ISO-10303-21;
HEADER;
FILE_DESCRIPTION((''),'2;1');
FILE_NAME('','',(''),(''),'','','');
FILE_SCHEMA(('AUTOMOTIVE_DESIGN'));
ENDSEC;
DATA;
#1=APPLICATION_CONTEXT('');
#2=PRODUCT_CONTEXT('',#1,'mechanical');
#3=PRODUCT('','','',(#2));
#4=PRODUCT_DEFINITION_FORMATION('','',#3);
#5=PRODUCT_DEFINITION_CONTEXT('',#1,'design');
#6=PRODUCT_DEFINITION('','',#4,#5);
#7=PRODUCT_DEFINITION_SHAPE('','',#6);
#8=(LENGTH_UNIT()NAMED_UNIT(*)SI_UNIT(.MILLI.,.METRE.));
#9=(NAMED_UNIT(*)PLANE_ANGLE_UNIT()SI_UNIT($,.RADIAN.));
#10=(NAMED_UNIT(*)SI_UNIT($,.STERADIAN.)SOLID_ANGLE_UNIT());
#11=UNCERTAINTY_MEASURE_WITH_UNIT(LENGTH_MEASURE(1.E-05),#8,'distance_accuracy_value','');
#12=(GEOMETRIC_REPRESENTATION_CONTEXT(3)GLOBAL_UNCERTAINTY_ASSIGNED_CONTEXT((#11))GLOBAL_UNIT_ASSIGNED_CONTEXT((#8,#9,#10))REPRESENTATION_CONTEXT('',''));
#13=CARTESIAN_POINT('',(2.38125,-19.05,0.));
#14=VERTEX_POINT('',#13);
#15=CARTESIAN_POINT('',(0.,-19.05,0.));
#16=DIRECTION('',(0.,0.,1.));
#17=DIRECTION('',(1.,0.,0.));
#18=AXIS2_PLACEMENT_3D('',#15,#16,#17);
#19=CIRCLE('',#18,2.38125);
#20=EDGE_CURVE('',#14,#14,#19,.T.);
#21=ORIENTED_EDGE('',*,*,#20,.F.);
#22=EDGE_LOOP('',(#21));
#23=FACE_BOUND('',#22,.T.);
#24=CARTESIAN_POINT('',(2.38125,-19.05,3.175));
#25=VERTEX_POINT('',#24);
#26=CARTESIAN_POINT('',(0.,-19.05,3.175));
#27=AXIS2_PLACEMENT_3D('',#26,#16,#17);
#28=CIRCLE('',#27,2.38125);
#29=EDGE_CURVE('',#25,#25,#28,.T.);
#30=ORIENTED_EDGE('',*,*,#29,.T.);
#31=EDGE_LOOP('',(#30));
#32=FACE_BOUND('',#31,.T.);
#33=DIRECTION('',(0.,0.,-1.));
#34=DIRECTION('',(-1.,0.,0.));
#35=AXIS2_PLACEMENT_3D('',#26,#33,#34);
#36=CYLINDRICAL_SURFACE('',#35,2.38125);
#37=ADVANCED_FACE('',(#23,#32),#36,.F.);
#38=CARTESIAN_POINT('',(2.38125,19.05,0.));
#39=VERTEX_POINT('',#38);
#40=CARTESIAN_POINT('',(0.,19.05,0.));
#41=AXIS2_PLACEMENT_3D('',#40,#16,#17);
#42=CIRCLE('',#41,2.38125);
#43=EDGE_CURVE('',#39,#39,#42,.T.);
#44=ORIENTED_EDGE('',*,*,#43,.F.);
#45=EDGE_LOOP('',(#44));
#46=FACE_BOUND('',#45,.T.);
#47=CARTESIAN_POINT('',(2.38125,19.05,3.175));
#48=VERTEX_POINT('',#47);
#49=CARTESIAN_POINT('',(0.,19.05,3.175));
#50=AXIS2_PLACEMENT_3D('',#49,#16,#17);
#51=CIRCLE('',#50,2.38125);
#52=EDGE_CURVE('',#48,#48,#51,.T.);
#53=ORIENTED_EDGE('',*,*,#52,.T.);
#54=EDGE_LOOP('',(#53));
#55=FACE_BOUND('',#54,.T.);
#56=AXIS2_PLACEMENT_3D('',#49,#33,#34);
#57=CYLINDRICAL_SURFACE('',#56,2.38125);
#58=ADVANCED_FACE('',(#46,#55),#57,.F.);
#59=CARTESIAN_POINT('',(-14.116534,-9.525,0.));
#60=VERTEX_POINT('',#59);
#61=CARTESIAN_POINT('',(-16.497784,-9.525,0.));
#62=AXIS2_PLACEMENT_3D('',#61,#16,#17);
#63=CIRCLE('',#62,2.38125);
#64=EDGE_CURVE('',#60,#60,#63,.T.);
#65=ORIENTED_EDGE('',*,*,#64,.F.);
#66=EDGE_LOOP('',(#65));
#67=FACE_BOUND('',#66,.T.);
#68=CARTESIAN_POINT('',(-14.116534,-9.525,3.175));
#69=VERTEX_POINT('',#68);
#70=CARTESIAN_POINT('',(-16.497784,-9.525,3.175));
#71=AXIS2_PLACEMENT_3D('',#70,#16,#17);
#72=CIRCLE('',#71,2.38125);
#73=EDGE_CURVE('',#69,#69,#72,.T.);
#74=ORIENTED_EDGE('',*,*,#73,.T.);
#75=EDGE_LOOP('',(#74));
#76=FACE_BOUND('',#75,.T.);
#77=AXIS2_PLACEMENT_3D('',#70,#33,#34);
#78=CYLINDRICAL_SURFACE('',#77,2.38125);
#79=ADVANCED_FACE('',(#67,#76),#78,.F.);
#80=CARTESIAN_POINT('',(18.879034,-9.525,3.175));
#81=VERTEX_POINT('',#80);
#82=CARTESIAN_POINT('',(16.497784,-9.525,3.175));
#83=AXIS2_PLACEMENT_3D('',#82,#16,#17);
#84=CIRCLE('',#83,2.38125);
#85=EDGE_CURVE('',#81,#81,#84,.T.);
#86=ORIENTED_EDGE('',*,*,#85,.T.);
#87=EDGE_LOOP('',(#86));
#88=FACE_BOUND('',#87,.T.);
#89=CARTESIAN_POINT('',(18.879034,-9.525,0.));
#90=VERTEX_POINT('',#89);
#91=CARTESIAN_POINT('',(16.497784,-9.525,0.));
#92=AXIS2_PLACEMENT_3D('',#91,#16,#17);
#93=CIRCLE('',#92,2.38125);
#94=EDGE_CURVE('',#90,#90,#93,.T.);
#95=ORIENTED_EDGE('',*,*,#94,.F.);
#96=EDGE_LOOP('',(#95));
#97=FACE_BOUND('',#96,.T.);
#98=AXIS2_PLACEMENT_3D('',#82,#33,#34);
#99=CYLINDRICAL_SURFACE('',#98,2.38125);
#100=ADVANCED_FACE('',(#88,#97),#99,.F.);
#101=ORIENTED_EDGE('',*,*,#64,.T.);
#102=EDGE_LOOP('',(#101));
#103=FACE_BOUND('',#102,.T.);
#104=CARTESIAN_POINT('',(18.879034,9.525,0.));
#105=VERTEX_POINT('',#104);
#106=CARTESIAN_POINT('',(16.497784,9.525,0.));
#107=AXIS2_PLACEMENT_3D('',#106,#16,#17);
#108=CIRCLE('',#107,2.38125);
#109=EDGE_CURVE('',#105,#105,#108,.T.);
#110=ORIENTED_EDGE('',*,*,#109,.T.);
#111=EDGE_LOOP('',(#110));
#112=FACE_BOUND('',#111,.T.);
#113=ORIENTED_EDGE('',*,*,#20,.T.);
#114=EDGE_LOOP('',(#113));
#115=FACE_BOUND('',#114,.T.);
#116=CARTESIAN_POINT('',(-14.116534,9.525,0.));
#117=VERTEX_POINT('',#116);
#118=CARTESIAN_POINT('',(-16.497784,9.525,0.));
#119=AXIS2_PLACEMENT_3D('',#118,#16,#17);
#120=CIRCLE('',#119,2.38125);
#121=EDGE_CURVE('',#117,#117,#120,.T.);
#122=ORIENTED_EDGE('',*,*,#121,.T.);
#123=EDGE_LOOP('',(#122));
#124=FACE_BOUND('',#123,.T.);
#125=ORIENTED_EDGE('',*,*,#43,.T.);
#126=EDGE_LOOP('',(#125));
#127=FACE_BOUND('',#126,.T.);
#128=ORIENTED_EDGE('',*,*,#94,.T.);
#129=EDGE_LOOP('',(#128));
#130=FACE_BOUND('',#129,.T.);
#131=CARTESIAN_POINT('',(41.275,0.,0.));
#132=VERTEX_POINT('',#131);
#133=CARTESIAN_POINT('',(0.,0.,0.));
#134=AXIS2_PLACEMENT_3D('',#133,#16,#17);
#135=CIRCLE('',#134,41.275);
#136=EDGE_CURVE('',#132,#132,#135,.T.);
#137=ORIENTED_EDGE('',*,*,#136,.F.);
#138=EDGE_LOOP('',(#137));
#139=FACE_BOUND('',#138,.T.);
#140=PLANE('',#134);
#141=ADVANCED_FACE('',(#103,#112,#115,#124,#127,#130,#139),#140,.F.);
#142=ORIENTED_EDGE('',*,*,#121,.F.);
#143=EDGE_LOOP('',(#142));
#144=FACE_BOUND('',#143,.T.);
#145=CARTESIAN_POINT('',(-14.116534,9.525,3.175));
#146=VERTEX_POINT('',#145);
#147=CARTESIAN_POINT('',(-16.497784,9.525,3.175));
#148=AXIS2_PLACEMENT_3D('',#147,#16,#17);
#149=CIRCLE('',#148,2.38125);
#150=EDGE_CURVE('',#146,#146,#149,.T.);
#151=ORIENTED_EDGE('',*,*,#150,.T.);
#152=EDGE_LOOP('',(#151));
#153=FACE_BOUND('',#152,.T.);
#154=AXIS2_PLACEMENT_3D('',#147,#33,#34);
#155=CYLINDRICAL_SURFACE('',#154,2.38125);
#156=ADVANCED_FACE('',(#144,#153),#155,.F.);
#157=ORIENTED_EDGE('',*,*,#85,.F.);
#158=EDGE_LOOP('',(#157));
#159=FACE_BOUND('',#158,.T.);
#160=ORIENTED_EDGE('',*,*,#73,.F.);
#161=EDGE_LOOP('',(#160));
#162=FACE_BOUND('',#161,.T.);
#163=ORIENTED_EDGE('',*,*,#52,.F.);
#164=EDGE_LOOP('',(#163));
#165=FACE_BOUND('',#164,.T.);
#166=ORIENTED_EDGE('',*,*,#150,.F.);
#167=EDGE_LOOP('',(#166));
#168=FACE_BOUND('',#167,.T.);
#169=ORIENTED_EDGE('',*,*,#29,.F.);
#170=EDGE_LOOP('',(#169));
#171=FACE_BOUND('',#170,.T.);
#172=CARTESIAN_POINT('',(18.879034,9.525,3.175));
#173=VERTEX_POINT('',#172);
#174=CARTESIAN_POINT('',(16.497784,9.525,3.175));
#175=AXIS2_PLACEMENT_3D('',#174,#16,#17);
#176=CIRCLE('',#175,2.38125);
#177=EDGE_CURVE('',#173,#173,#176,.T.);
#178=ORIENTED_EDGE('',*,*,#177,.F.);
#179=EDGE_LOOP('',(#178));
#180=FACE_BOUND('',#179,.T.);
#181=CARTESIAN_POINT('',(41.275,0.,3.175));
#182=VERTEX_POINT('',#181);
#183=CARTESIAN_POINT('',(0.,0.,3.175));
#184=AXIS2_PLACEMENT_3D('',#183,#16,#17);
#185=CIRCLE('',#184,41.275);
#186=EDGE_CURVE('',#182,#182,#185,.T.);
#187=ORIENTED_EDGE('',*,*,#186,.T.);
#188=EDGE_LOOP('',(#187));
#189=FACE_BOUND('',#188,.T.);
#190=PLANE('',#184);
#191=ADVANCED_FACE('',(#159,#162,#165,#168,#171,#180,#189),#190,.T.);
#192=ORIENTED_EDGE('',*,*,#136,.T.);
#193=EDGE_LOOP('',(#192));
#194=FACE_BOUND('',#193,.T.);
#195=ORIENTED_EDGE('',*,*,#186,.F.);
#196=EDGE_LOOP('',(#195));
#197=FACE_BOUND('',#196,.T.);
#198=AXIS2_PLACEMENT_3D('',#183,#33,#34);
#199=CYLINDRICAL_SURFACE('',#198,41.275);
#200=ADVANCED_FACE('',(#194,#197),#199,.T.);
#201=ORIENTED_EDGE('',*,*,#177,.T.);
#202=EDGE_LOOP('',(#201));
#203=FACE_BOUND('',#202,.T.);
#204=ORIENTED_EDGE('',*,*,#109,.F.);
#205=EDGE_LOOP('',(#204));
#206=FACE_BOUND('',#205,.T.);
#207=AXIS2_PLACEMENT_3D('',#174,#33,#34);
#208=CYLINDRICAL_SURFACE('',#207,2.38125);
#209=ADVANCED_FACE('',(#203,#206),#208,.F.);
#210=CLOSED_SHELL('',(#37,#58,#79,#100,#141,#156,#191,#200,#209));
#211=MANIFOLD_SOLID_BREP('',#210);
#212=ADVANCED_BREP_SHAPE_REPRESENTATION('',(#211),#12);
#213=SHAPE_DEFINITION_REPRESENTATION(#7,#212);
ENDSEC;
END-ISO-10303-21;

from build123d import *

# Parameters (mm, degrees)
SKETCH1_R           = 41.275
SKETCH1_R_2         = 2.38125
BOSS_EXTRUDE1_DEPTH = 3.175


with BuildPart() as part:
    # Sketch1 → Boss-Extrude1 (new body)
    with BuildSketch(Plane.XY):
        Circle(SKETCH1_R)
        with Locations((0, 19.05)):
            Circle(SKETCH1_R_2, mode=Mode.SUBTRACT)
        with Locations((16.497783942, 9.525)):
            Circle(SKETCH1_R_2, mode=Mode.SUBTRACT)
        with Locations((16.497783942, -9.525)):
            Circle(SKETCH1_R_2, mode=Mode.SUBTRACT)
        with Locations((0, -19.05)):
            Circle(SKETCH1_R_2, mode=Mode.SUBTRACT)
        with Locations((-16.497783942, -9.525)):
            Circle(SKETCH1_R_2, mode=Mode.SUBTRACT)
        with Locations((-16.497783942, 9.525)):
            Circle(SKETCH1_R_2, mode=Mode.SUBTRACT)
    extrude(amount=BOSS_EXTRUDE1_DEPTH)


solid = part.part
